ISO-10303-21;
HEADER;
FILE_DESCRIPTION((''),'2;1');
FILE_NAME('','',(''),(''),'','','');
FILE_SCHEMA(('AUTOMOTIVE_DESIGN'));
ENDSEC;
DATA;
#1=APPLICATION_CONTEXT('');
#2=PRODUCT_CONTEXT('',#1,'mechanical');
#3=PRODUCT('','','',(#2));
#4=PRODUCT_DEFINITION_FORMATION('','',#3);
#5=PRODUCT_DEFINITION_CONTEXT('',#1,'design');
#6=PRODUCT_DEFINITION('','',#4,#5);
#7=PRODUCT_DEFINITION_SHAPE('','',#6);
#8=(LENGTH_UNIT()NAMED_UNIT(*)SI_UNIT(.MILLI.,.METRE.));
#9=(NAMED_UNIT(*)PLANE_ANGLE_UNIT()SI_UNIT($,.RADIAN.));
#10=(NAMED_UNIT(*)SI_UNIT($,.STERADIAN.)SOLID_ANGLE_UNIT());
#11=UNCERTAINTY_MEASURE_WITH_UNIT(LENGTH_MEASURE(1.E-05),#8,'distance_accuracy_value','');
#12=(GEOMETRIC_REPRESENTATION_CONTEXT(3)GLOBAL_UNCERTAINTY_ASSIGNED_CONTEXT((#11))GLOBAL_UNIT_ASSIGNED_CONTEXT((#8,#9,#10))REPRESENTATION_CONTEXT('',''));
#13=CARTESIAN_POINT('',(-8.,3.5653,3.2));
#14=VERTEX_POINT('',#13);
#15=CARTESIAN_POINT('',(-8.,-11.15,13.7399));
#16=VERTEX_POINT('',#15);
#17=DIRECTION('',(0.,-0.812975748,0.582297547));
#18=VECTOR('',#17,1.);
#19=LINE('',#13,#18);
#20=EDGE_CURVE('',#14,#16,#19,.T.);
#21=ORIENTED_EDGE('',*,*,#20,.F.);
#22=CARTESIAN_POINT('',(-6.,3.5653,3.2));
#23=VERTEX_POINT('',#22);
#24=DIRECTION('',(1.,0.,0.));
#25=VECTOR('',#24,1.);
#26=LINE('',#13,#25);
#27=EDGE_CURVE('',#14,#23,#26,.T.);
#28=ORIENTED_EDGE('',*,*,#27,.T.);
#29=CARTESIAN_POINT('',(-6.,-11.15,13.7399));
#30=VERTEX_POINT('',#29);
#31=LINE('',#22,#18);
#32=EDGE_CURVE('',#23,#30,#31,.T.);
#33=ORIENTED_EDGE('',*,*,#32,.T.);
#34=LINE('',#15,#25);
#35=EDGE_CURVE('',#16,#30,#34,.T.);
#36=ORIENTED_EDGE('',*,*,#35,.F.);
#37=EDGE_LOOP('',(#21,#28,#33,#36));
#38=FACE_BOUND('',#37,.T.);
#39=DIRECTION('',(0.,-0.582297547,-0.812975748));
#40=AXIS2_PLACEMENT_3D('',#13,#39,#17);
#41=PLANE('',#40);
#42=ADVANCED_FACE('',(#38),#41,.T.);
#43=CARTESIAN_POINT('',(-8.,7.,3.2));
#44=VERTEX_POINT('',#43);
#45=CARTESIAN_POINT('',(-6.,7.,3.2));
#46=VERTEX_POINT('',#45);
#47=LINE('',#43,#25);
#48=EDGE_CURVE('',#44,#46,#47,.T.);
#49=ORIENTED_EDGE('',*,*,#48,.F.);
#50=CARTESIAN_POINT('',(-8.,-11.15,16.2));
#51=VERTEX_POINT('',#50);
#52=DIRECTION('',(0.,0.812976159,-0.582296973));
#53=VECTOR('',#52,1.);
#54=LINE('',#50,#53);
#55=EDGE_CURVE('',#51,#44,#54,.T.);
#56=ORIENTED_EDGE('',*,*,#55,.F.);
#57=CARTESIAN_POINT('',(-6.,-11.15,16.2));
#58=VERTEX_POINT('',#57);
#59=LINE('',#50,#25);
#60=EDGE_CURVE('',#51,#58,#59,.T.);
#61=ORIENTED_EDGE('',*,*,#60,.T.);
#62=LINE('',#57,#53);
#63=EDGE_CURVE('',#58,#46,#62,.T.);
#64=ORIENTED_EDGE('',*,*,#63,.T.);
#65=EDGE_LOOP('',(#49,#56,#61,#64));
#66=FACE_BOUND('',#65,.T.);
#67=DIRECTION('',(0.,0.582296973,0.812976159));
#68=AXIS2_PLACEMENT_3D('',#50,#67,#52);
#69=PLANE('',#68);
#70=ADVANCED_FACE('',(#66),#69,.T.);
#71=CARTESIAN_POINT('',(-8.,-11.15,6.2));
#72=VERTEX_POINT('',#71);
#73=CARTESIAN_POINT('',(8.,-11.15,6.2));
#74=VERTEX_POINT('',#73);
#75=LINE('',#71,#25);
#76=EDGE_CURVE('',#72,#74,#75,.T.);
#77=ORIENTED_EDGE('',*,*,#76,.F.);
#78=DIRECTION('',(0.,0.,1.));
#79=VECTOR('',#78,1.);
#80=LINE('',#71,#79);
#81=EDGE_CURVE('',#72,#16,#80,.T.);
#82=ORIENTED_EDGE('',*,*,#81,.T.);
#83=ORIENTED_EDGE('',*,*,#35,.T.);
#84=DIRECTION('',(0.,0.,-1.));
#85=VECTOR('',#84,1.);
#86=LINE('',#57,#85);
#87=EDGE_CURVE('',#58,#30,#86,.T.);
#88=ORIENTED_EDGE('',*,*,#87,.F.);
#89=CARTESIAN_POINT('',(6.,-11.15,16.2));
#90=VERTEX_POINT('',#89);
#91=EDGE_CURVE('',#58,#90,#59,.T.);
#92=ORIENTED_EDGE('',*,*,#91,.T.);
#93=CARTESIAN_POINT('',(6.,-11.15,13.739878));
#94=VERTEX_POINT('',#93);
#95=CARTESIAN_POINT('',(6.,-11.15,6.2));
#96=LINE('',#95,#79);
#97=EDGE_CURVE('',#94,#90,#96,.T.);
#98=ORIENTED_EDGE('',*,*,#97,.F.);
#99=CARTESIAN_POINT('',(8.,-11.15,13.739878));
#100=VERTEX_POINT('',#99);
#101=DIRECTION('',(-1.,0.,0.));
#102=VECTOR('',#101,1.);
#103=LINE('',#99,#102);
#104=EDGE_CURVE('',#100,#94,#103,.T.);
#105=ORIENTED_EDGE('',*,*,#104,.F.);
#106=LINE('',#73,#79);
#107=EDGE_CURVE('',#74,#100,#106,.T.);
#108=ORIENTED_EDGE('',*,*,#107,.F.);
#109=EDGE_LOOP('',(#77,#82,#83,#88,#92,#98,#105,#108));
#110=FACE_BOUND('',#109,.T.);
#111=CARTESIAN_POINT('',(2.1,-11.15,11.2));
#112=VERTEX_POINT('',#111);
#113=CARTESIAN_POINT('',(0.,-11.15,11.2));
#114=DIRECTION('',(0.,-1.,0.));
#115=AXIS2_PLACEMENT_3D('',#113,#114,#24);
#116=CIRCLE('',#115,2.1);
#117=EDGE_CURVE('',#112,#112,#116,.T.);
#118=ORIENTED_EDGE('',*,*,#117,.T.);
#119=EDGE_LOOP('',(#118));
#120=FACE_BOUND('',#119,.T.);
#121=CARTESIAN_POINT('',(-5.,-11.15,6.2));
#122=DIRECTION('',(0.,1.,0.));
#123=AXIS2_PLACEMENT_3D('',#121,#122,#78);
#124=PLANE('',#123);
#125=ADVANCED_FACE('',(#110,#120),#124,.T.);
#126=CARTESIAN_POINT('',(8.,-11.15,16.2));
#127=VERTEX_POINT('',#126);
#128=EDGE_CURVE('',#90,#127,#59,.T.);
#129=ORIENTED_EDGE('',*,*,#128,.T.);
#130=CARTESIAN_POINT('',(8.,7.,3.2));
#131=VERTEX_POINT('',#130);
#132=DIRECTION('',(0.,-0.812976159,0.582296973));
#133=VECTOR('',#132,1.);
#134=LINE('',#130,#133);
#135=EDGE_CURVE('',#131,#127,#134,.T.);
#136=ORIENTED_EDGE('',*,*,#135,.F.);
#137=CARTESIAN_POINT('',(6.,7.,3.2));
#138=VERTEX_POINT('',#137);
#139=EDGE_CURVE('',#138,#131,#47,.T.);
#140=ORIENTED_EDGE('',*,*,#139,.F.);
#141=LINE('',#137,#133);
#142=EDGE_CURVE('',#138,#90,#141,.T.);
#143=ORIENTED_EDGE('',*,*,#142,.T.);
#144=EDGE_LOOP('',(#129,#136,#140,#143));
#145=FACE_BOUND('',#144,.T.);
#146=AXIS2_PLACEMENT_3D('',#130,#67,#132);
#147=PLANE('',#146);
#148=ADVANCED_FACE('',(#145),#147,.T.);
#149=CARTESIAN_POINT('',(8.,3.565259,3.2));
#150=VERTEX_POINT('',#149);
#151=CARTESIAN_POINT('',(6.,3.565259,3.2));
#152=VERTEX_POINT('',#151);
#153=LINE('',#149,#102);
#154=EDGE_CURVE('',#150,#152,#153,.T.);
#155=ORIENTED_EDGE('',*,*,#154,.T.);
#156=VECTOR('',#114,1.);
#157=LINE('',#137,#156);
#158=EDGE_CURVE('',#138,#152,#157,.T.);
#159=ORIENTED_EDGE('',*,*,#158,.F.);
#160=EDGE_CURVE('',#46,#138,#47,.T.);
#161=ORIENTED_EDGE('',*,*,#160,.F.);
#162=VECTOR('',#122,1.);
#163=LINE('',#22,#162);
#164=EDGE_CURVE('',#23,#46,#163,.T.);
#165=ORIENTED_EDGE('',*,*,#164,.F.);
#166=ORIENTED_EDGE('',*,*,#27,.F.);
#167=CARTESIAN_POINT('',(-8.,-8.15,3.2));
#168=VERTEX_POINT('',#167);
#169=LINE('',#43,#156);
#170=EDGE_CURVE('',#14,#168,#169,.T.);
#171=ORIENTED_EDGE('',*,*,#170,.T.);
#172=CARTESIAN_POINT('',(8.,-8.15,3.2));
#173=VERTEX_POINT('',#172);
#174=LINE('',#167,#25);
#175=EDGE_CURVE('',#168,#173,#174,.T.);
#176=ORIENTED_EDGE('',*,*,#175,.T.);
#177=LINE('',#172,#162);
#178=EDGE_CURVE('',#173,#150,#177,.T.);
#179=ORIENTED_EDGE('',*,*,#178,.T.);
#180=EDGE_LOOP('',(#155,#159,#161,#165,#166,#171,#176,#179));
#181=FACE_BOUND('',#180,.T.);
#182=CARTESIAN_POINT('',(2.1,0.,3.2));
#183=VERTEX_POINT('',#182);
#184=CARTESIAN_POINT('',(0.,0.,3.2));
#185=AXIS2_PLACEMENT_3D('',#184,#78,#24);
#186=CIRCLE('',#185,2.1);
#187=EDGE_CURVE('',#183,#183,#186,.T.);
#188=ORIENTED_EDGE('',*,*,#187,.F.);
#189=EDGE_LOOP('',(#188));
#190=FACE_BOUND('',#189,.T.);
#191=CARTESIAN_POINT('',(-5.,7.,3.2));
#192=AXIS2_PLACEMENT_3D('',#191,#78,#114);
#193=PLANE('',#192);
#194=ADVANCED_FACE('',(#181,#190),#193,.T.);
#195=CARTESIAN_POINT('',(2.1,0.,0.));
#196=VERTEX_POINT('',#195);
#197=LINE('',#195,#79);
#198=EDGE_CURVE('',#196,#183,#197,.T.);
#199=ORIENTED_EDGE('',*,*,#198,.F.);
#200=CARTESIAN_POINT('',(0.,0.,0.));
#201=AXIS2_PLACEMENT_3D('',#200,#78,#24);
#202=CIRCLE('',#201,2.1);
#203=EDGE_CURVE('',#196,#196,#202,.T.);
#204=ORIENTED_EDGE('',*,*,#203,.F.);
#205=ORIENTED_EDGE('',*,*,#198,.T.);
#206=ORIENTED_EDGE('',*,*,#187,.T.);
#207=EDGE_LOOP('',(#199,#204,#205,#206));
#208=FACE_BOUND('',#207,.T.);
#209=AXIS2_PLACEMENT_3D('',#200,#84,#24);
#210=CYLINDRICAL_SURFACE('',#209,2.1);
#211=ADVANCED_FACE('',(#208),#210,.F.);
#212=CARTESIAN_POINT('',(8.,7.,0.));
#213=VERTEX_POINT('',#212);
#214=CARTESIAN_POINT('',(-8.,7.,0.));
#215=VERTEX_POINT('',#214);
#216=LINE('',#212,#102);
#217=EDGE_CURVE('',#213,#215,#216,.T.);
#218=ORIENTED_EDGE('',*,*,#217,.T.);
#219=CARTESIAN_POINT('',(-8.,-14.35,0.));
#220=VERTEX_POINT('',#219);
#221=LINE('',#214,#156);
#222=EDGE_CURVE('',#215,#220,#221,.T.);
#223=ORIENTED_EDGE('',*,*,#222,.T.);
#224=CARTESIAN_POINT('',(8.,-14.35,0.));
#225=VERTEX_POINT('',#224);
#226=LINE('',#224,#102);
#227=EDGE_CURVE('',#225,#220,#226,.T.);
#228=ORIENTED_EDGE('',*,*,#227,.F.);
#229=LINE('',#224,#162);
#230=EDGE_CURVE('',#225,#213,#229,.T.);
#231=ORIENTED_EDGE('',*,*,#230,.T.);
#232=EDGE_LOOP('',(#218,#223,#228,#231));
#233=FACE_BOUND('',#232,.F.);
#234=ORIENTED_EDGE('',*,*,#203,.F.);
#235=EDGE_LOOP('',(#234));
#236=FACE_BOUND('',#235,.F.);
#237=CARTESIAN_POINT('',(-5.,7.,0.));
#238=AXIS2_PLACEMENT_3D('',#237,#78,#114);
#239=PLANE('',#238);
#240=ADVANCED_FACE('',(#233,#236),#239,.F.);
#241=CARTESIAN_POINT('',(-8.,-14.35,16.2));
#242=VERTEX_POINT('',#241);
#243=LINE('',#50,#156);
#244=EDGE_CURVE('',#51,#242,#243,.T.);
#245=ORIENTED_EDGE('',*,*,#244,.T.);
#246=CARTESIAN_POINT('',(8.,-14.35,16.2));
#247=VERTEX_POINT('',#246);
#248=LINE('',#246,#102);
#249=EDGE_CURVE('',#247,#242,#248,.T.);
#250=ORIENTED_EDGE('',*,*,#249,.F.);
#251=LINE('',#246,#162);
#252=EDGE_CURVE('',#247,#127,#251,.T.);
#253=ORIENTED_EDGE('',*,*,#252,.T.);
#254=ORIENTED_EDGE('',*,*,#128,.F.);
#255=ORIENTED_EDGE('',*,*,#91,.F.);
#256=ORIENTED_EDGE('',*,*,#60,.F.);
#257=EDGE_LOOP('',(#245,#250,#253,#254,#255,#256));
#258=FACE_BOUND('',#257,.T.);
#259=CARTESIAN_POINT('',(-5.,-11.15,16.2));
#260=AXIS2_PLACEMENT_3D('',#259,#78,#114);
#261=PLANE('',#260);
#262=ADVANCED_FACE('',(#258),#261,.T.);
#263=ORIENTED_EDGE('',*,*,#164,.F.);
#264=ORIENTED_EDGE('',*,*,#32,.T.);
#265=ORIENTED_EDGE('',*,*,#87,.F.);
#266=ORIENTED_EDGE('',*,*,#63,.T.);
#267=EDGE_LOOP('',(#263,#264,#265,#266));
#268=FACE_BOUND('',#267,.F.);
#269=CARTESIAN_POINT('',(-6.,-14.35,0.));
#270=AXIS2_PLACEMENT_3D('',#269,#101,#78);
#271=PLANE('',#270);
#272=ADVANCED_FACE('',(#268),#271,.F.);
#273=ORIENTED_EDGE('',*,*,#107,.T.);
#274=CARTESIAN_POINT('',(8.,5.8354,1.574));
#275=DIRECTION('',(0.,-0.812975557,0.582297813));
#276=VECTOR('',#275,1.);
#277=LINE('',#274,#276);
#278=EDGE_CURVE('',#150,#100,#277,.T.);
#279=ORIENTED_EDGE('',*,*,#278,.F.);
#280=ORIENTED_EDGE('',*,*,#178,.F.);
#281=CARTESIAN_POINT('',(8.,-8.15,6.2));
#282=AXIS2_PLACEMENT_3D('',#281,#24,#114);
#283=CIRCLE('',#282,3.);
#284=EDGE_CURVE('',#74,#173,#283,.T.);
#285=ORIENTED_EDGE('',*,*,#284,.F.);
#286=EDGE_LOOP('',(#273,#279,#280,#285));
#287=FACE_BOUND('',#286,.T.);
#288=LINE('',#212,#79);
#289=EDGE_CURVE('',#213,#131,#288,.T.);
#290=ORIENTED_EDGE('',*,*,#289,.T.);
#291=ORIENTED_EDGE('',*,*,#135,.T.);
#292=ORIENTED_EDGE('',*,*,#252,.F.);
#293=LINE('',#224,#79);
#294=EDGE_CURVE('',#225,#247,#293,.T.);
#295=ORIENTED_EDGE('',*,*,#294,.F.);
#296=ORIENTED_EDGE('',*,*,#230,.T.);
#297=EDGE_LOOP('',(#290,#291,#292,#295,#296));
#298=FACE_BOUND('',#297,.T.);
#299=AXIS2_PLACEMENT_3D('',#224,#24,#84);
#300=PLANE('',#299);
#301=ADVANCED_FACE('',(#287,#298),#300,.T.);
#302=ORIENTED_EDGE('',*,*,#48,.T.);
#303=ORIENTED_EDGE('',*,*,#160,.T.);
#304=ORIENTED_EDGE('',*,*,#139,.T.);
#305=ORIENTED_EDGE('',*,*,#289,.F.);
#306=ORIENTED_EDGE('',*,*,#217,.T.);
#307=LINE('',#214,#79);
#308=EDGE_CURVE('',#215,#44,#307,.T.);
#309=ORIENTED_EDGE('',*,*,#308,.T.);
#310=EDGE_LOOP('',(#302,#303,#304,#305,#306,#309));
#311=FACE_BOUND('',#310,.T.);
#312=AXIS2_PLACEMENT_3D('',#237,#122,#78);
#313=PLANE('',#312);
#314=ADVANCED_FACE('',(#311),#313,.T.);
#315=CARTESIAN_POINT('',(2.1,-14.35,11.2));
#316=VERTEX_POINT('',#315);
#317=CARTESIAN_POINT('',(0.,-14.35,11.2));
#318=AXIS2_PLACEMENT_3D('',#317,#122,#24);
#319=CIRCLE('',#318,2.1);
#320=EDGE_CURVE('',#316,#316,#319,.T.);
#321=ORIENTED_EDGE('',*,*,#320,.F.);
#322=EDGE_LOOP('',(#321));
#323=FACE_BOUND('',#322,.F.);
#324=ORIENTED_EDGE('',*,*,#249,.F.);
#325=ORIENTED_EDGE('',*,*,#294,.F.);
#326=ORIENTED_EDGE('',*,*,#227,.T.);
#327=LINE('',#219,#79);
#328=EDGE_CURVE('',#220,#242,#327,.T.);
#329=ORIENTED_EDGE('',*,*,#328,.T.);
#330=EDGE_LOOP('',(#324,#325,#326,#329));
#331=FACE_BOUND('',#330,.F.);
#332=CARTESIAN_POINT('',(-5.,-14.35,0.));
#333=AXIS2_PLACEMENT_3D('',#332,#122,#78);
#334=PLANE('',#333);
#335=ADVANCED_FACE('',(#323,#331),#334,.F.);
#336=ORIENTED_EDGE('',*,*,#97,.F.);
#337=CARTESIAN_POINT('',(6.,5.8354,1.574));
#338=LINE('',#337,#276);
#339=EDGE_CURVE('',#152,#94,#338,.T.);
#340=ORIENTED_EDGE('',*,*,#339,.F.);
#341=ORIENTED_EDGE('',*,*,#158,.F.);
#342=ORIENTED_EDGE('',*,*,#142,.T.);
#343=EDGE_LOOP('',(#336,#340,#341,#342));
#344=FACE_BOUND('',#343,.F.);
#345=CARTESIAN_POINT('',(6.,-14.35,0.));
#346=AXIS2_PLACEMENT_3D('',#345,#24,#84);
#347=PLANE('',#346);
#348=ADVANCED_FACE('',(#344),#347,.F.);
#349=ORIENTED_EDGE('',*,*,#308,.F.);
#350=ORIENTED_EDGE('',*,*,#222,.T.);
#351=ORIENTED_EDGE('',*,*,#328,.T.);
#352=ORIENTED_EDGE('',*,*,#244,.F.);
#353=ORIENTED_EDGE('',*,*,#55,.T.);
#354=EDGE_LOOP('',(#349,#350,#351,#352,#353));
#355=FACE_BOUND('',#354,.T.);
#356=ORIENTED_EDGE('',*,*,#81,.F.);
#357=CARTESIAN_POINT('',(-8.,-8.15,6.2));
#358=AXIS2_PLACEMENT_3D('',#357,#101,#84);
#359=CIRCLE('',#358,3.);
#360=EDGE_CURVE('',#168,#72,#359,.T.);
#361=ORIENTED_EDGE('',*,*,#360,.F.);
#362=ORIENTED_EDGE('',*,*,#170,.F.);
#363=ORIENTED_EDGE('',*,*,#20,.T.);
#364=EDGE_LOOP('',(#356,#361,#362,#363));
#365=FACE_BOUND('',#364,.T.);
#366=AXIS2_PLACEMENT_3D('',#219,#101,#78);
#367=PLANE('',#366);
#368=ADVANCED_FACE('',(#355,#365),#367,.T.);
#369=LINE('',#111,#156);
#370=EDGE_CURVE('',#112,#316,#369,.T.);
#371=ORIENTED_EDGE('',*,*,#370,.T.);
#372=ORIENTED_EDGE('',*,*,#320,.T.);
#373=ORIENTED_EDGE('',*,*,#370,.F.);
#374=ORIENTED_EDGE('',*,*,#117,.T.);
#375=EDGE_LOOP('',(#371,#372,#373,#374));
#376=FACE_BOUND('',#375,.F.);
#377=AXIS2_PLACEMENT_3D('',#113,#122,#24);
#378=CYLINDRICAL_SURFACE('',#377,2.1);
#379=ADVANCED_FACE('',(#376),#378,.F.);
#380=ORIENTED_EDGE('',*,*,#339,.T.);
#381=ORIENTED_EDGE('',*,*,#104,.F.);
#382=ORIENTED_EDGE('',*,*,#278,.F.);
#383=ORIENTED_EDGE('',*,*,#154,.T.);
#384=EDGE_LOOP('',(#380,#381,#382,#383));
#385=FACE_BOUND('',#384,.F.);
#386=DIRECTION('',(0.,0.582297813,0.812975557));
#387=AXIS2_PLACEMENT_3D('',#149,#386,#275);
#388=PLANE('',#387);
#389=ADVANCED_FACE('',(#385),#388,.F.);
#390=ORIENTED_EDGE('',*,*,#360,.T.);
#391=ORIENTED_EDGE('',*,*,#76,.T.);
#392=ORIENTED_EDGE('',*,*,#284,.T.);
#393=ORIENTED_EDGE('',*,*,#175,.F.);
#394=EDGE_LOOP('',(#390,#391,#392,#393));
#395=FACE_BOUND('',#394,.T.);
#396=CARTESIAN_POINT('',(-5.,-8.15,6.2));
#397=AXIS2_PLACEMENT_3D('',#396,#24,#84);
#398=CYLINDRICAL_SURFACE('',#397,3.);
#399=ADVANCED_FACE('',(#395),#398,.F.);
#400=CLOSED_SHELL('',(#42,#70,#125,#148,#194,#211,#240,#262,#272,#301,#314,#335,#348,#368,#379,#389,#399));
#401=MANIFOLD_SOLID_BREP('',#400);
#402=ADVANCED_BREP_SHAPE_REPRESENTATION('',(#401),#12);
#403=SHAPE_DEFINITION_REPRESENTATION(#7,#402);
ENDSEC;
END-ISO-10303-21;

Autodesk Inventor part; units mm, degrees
ref_plane "YZ Plane" through (0, 0, 0) normal (1, 0, 0) x (0, 1, 0)
ref_plane "XZ Plane" through (0, 0, 0) normal (0, 1, 0) x (-1, 0, 0)
ref_plane "XY Plane" through (0, 0, 0) normal (0, 0, 1) x (1, 0, 0)
sketch "Эскиз1" plane through (0, 0, 0) normal (0, 0, 1) x (1, 0, 0)
  circle A0 centre (0, 0) radius 2.1
  line L0 (-5, 14.35) -> (5, 14.35)
  line L1 (5, 14.35) -> (5, -14.35)
  line L2 (5, -14.35) -> (-5, -14.35)
  line L3 (-5, -14.35) -> (-5, 14.35)
  line L4 (-5, 14.35) -> (5, -14.35) construction
  line L5 (5, 14.35) -> (-5, -14.35) construction
  line L6 (-5, 7) -> (5, 7)
  dimension "d0" = 4.2
  dimension "d2" = 10
  dimension "d3" = 28.7
  dimension "d4" = 7
extrude "Выдавливание1" add sketch "Эскиз1" along normal blind 3.2 contours L6 L1 L2 L3
sketch "Эскиз2" plane through (0, 0, 3.2) normal (0, 0, 1) x (1, 0, 0)
  line L0 (5, -14.35) -> (5, 7) projected
  line L1 (5, -14.35) -> (-5, -14.35)
  line L2 (-5, -14.35) -> (-5, -11.15)
  line L3 (-5, -11.15) -> (5, -11.15)
  line L4 (5, -11.15) -> (5, -14.35)
  point P0 (0, 0)
  point P1 (5, -11.15)
  dimension "d7" = 10
  dimension "d8" = 3.2
extrude "Выдавливание2" add sketch "Эскиз2" along normal blind 13
fillet "Сопряжение1" radius 3 1 edges at (0, -11.15, 3.2)
sketch "Эскиз3" plane through (-5, -11.15, 16.2) normal (0, 1, 0) x (1, 0, 0)
  line L0 (0, 10) -> (10, 10) projected
  line L1 (5, 10) -> (5, 0)
  line L2 (0, 0) -> (10, 0) projected
  circle A0 centre (5, 5) radius 2.1
  point P0 (5, 16.2)
  dimension "d12" = 4.2
extrude "Выдавливание3" cut sketch "Эскиз3" against normal blind 13
sketch "Эскиз4" plane through (5, -14.35, 0) normal (1, 0, 0) x (0, 0, -1)
  line L0 (0, 0) -> (0, 21.35) projected
  line L1 (0, 21.35) -> (-3.2, 21.35) projected
  line L2 (-3.2, 6.2) -> (-3.2, 21.35) projected
  arc A0 (-6.2, 3.2) -> (-3.2, 6.2) centre (-6.2, 6.2) ccw projected
  line L3 (-6.2, 3.2) -> (-16.2, 3.2) projected
  line L4 (-16.2, 0) -> (-16.2, 3.2) projected
  line L5 (0, 0) -> (-16.2, 0) projected
  point P0 (0, 14.35)
extrude "Выдавливание4" add sketch "Эскиз4" along normal blind 3
sketch "Эскиз5" plane through (-5, -14.35, 0) normal (-1, 0, 0) x (0, 0, 1)
  line L0 (0, 21.35) -> (0, 0) projected
  line L1 (0, 0) -> (16.2, 0) projected
  line L2 (16.2, 3.2) -> (16.2, 0) projected
  line L3 (6.2, 3.2) -> (16.2, 3.2) projected
  arc A0 (3.2, 6.2) -> (6.2, 3.2) centre (6.2, 6.2) ccw projected
  line L4 (3.2, 21.35) -> (3.2, 6.2) projected
  line L5 (0, 21.35) -> (3.2, 21.35) projected
  point P0 (0, 14.35)
extrude "Выдавливание5" add sketch "Эскиз5" along normal blind 3
sketch "Эскиз6" plane through (8, -14.35, 0) normal (1, 0, 0) x (0, 0, -1)
  line L0 (-16.2, 3.2) -> (-16.2, 0) projected
  line L1 (-3.2, 21.35) -> (-16.2, 3.2)
  line L2 (-1.574, 20.1854) -> (-14.2, 2.5576)
  line L3 (-14.2, 2.5576) -> (-14.2, 0)
  line L4 (0, 0) -> (-16.2, 0) projected
  line L5 (0, 0) -> (0, 21.35) projected
  line L6 (0, 21.35) -> (-3.2, 21.35) projected
  line L7 (-3.2, 21.35) -> (-3.2, 6.2) projected
  arc A0 (-6.2, 3.2) -> (-3.2, 6.2) centre (-6.2, 6.2) ccw projected
  line L8 (-6.2, 3.2) -> (-16.2, 3.2) projected
  line L9 (-16.2, 3.2) -> (-16.2, 0) projected
  line L10 (-16.2, 0) -> (0, 0) projected
  point P0 (0, 14.35)
  point P1 (-13.7399, 3.2)
  point P2 (-3.2, 17.9153)
  dimension "d19" = 2
extrude "Выдавливание6" add sketch "Эскиз6" against normal blind 2 contours L1 L7 L2 L8
sketch "Эскиз7" plane through (-8, -14.35, 0) normal (-1, 0, 0) x (0, 0, 1)
  line L0 (16.2, 3.2) -> (13.7399, 3.2) projected
  line L1 (16.2, 3.2) -> (3.2, 21.35) projected
  line L2 (3.2, 17.9153) -> (3.2, 21.35) projected
  line L3 (3.2, 17.9153) -> (13.7399, 3.2) projected
  point P0 (0, 14.35)
extrude "Выдавливание7" add sketch "Эскиз7" against normal blind 2
properties part number "мертвое колесо крепл 25-26"
